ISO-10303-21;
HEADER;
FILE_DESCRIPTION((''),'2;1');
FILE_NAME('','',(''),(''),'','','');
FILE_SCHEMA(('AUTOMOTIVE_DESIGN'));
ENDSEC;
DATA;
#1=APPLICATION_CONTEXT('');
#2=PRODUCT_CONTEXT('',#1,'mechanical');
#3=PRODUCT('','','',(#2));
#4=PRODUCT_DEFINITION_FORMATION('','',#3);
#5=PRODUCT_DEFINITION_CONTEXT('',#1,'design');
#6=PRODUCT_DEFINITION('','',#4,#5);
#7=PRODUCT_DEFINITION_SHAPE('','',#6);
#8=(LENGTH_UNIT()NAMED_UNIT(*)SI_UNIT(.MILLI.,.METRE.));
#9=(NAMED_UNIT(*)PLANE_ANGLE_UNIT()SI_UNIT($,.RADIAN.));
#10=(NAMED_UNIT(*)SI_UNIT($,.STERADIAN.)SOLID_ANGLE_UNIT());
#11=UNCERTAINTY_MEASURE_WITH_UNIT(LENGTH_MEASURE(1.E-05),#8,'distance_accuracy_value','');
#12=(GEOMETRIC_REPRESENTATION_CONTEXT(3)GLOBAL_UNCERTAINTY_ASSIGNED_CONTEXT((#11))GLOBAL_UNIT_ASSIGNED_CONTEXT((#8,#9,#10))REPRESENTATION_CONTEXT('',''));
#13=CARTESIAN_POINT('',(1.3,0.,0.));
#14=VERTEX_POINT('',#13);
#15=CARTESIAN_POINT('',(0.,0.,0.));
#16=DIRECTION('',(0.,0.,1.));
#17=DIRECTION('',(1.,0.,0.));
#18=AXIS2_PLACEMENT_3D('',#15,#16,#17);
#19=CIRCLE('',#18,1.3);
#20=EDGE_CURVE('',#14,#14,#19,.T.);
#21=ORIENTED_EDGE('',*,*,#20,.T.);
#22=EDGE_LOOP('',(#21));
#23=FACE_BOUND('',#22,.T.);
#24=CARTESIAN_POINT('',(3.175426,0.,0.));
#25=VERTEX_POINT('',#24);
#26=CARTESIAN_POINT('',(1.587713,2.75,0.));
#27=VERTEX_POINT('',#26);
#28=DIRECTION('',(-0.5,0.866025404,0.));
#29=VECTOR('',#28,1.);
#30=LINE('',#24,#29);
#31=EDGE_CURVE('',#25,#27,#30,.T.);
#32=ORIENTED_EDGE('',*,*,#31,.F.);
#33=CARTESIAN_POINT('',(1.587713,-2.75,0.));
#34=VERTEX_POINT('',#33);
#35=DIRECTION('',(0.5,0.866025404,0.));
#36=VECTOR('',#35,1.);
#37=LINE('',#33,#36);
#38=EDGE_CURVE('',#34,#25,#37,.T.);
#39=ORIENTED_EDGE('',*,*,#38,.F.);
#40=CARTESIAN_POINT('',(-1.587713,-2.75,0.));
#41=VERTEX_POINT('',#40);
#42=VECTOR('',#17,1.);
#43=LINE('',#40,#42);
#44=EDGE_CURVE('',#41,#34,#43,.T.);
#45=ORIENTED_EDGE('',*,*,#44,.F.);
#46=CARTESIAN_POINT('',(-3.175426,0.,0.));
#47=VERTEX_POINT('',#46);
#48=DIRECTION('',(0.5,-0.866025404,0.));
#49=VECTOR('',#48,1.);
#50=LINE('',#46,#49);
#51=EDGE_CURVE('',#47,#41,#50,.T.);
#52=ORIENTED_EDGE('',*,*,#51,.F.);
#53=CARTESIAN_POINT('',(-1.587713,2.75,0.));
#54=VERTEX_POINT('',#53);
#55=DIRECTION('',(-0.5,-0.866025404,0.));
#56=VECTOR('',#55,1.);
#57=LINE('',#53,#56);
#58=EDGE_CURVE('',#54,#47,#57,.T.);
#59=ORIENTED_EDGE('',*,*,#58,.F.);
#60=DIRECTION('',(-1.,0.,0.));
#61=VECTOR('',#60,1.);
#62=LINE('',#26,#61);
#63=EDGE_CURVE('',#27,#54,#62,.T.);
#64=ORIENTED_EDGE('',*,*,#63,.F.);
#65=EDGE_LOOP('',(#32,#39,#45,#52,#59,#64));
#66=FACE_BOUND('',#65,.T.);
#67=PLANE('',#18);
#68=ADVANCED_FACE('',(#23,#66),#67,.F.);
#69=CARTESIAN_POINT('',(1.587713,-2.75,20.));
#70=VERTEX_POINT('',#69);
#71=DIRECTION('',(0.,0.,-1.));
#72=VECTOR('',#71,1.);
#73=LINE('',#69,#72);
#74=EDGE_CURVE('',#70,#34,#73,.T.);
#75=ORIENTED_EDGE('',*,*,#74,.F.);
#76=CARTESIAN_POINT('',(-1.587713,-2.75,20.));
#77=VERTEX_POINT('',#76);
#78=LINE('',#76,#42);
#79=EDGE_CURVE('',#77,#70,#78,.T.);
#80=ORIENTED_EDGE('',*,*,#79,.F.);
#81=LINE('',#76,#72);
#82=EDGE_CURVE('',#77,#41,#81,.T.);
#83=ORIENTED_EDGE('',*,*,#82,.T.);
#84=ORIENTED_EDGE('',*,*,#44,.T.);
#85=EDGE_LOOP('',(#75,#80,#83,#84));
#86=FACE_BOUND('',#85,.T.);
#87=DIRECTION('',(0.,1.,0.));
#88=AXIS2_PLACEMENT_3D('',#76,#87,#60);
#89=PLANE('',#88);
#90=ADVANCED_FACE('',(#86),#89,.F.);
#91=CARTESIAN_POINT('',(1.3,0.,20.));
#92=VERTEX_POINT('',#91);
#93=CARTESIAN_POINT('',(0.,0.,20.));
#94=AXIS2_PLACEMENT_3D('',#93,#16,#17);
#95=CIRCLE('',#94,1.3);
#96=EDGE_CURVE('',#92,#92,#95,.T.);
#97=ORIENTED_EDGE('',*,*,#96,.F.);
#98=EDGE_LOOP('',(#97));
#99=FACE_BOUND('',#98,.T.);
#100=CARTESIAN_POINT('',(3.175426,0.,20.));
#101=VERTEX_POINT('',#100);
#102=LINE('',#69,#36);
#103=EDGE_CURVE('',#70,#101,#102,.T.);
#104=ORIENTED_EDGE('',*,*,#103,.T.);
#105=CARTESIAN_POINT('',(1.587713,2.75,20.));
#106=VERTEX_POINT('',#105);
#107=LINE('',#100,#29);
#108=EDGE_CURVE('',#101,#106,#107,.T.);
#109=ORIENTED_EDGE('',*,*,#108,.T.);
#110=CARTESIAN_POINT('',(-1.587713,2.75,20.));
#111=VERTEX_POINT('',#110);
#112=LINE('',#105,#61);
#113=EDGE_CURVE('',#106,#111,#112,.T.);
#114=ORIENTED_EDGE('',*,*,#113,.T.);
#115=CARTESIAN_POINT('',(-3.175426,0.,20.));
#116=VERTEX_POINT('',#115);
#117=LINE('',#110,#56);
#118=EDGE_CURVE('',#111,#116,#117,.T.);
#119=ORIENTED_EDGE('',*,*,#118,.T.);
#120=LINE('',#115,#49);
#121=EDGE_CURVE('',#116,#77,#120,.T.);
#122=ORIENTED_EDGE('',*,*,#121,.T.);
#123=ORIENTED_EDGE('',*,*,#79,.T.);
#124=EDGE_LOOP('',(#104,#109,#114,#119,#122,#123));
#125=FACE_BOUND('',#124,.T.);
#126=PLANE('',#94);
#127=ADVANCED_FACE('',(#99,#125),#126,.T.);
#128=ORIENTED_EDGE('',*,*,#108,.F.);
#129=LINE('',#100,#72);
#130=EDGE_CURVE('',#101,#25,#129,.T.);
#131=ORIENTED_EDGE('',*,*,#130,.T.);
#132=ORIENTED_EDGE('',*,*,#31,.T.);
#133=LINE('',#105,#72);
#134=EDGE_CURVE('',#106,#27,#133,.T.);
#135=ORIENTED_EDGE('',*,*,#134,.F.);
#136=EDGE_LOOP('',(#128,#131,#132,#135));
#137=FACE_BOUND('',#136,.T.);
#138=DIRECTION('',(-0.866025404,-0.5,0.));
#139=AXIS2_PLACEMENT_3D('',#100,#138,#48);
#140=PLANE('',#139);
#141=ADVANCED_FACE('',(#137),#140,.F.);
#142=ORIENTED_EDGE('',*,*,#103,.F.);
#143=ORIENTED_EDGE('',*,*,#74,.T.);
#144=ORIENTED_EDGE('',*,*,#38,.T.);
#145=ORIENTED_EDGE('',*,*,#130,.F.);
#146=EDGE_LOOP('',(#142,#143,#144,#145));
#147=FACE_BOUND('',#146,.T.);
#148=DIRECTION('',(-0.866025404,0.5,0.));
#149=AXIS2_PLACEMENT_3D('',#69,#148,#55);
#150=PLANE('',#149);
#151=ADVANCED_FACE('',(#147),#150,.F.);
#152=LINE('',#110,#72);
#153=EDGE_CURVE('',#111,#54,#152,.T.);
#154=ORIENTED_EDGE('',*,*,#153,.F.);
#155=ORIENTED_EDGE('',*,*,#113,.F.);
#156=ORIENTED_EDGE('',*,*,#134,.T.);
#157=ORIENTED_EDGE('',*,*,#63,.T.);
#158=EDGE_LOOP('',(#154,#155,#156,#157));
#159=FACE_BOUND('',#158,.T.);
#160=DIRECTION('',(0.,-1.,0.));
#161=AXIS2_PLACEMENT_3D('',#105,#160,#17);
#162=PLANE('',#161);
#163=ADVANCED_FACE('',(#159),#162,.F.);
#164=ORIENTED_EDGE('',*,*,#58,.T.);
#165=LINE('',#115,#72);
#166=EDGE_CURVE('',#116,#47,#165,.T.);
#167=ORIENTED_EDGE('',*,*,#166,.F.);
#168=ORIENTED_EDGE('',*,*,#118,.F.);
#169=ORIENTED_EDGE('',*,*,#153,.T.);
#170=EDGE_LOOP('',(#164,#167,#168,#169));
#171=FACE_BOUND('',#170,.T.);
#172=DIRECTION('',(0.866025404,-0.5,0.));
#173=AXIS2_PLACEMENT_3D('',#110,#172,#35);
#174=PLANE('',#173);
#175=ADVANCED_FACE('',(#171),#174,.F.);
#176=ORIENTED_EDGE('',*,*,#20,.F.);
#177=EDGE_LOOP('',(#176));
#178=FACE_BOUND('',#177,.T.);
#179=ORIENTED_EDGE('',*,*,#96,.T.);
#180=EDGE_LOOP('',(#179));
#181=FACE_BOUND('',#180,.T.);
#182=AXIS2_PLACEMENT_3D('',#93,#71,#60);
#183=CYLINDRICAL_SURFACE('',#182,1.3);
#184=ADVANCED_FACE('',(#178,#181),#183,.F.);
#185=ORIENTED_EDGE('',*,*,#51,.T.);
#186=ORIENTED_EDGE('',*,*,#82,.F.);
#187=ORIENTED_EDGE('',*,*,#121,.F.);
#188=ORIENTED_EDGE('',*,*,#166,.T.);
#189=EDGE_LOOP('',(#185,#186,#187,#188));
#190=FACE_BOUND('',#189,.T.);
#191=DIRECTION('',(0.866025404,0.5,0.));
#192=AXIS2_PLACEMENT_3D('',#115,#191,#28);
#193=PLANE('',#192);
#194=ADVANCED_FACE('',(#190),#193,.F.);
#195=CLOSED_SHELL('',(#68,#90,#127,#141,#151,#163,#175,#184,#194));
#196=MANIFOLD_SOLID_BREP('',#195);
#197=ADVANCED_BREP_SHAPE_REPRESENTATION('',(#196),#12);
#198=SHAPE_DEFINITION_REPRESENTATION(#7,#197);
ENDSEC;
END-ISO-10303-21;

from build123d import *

# Parameters (mm, degrees)
SKETCH_1_R      = 1.3
EXTRUDE_1_DEPTH = 20


with BuildPart() as part:
    # 草图1 → 凸台-拉伸1 (new body)
    with BuildSketch(Plane.XY):
        Polygon((1.58771324, 2.75), (-1.58771324, 2.75), (-3.175426481, 0), (-1.58771324, -2.75), (1.58771324, -2.75), (3.175426481, 0), align=None)
        Circle(SKETCH_1_R, mode=Mode.SUBTRACT)
    extrude(amount=EXTRUDE_1_DEPTH)


solid = part.part
